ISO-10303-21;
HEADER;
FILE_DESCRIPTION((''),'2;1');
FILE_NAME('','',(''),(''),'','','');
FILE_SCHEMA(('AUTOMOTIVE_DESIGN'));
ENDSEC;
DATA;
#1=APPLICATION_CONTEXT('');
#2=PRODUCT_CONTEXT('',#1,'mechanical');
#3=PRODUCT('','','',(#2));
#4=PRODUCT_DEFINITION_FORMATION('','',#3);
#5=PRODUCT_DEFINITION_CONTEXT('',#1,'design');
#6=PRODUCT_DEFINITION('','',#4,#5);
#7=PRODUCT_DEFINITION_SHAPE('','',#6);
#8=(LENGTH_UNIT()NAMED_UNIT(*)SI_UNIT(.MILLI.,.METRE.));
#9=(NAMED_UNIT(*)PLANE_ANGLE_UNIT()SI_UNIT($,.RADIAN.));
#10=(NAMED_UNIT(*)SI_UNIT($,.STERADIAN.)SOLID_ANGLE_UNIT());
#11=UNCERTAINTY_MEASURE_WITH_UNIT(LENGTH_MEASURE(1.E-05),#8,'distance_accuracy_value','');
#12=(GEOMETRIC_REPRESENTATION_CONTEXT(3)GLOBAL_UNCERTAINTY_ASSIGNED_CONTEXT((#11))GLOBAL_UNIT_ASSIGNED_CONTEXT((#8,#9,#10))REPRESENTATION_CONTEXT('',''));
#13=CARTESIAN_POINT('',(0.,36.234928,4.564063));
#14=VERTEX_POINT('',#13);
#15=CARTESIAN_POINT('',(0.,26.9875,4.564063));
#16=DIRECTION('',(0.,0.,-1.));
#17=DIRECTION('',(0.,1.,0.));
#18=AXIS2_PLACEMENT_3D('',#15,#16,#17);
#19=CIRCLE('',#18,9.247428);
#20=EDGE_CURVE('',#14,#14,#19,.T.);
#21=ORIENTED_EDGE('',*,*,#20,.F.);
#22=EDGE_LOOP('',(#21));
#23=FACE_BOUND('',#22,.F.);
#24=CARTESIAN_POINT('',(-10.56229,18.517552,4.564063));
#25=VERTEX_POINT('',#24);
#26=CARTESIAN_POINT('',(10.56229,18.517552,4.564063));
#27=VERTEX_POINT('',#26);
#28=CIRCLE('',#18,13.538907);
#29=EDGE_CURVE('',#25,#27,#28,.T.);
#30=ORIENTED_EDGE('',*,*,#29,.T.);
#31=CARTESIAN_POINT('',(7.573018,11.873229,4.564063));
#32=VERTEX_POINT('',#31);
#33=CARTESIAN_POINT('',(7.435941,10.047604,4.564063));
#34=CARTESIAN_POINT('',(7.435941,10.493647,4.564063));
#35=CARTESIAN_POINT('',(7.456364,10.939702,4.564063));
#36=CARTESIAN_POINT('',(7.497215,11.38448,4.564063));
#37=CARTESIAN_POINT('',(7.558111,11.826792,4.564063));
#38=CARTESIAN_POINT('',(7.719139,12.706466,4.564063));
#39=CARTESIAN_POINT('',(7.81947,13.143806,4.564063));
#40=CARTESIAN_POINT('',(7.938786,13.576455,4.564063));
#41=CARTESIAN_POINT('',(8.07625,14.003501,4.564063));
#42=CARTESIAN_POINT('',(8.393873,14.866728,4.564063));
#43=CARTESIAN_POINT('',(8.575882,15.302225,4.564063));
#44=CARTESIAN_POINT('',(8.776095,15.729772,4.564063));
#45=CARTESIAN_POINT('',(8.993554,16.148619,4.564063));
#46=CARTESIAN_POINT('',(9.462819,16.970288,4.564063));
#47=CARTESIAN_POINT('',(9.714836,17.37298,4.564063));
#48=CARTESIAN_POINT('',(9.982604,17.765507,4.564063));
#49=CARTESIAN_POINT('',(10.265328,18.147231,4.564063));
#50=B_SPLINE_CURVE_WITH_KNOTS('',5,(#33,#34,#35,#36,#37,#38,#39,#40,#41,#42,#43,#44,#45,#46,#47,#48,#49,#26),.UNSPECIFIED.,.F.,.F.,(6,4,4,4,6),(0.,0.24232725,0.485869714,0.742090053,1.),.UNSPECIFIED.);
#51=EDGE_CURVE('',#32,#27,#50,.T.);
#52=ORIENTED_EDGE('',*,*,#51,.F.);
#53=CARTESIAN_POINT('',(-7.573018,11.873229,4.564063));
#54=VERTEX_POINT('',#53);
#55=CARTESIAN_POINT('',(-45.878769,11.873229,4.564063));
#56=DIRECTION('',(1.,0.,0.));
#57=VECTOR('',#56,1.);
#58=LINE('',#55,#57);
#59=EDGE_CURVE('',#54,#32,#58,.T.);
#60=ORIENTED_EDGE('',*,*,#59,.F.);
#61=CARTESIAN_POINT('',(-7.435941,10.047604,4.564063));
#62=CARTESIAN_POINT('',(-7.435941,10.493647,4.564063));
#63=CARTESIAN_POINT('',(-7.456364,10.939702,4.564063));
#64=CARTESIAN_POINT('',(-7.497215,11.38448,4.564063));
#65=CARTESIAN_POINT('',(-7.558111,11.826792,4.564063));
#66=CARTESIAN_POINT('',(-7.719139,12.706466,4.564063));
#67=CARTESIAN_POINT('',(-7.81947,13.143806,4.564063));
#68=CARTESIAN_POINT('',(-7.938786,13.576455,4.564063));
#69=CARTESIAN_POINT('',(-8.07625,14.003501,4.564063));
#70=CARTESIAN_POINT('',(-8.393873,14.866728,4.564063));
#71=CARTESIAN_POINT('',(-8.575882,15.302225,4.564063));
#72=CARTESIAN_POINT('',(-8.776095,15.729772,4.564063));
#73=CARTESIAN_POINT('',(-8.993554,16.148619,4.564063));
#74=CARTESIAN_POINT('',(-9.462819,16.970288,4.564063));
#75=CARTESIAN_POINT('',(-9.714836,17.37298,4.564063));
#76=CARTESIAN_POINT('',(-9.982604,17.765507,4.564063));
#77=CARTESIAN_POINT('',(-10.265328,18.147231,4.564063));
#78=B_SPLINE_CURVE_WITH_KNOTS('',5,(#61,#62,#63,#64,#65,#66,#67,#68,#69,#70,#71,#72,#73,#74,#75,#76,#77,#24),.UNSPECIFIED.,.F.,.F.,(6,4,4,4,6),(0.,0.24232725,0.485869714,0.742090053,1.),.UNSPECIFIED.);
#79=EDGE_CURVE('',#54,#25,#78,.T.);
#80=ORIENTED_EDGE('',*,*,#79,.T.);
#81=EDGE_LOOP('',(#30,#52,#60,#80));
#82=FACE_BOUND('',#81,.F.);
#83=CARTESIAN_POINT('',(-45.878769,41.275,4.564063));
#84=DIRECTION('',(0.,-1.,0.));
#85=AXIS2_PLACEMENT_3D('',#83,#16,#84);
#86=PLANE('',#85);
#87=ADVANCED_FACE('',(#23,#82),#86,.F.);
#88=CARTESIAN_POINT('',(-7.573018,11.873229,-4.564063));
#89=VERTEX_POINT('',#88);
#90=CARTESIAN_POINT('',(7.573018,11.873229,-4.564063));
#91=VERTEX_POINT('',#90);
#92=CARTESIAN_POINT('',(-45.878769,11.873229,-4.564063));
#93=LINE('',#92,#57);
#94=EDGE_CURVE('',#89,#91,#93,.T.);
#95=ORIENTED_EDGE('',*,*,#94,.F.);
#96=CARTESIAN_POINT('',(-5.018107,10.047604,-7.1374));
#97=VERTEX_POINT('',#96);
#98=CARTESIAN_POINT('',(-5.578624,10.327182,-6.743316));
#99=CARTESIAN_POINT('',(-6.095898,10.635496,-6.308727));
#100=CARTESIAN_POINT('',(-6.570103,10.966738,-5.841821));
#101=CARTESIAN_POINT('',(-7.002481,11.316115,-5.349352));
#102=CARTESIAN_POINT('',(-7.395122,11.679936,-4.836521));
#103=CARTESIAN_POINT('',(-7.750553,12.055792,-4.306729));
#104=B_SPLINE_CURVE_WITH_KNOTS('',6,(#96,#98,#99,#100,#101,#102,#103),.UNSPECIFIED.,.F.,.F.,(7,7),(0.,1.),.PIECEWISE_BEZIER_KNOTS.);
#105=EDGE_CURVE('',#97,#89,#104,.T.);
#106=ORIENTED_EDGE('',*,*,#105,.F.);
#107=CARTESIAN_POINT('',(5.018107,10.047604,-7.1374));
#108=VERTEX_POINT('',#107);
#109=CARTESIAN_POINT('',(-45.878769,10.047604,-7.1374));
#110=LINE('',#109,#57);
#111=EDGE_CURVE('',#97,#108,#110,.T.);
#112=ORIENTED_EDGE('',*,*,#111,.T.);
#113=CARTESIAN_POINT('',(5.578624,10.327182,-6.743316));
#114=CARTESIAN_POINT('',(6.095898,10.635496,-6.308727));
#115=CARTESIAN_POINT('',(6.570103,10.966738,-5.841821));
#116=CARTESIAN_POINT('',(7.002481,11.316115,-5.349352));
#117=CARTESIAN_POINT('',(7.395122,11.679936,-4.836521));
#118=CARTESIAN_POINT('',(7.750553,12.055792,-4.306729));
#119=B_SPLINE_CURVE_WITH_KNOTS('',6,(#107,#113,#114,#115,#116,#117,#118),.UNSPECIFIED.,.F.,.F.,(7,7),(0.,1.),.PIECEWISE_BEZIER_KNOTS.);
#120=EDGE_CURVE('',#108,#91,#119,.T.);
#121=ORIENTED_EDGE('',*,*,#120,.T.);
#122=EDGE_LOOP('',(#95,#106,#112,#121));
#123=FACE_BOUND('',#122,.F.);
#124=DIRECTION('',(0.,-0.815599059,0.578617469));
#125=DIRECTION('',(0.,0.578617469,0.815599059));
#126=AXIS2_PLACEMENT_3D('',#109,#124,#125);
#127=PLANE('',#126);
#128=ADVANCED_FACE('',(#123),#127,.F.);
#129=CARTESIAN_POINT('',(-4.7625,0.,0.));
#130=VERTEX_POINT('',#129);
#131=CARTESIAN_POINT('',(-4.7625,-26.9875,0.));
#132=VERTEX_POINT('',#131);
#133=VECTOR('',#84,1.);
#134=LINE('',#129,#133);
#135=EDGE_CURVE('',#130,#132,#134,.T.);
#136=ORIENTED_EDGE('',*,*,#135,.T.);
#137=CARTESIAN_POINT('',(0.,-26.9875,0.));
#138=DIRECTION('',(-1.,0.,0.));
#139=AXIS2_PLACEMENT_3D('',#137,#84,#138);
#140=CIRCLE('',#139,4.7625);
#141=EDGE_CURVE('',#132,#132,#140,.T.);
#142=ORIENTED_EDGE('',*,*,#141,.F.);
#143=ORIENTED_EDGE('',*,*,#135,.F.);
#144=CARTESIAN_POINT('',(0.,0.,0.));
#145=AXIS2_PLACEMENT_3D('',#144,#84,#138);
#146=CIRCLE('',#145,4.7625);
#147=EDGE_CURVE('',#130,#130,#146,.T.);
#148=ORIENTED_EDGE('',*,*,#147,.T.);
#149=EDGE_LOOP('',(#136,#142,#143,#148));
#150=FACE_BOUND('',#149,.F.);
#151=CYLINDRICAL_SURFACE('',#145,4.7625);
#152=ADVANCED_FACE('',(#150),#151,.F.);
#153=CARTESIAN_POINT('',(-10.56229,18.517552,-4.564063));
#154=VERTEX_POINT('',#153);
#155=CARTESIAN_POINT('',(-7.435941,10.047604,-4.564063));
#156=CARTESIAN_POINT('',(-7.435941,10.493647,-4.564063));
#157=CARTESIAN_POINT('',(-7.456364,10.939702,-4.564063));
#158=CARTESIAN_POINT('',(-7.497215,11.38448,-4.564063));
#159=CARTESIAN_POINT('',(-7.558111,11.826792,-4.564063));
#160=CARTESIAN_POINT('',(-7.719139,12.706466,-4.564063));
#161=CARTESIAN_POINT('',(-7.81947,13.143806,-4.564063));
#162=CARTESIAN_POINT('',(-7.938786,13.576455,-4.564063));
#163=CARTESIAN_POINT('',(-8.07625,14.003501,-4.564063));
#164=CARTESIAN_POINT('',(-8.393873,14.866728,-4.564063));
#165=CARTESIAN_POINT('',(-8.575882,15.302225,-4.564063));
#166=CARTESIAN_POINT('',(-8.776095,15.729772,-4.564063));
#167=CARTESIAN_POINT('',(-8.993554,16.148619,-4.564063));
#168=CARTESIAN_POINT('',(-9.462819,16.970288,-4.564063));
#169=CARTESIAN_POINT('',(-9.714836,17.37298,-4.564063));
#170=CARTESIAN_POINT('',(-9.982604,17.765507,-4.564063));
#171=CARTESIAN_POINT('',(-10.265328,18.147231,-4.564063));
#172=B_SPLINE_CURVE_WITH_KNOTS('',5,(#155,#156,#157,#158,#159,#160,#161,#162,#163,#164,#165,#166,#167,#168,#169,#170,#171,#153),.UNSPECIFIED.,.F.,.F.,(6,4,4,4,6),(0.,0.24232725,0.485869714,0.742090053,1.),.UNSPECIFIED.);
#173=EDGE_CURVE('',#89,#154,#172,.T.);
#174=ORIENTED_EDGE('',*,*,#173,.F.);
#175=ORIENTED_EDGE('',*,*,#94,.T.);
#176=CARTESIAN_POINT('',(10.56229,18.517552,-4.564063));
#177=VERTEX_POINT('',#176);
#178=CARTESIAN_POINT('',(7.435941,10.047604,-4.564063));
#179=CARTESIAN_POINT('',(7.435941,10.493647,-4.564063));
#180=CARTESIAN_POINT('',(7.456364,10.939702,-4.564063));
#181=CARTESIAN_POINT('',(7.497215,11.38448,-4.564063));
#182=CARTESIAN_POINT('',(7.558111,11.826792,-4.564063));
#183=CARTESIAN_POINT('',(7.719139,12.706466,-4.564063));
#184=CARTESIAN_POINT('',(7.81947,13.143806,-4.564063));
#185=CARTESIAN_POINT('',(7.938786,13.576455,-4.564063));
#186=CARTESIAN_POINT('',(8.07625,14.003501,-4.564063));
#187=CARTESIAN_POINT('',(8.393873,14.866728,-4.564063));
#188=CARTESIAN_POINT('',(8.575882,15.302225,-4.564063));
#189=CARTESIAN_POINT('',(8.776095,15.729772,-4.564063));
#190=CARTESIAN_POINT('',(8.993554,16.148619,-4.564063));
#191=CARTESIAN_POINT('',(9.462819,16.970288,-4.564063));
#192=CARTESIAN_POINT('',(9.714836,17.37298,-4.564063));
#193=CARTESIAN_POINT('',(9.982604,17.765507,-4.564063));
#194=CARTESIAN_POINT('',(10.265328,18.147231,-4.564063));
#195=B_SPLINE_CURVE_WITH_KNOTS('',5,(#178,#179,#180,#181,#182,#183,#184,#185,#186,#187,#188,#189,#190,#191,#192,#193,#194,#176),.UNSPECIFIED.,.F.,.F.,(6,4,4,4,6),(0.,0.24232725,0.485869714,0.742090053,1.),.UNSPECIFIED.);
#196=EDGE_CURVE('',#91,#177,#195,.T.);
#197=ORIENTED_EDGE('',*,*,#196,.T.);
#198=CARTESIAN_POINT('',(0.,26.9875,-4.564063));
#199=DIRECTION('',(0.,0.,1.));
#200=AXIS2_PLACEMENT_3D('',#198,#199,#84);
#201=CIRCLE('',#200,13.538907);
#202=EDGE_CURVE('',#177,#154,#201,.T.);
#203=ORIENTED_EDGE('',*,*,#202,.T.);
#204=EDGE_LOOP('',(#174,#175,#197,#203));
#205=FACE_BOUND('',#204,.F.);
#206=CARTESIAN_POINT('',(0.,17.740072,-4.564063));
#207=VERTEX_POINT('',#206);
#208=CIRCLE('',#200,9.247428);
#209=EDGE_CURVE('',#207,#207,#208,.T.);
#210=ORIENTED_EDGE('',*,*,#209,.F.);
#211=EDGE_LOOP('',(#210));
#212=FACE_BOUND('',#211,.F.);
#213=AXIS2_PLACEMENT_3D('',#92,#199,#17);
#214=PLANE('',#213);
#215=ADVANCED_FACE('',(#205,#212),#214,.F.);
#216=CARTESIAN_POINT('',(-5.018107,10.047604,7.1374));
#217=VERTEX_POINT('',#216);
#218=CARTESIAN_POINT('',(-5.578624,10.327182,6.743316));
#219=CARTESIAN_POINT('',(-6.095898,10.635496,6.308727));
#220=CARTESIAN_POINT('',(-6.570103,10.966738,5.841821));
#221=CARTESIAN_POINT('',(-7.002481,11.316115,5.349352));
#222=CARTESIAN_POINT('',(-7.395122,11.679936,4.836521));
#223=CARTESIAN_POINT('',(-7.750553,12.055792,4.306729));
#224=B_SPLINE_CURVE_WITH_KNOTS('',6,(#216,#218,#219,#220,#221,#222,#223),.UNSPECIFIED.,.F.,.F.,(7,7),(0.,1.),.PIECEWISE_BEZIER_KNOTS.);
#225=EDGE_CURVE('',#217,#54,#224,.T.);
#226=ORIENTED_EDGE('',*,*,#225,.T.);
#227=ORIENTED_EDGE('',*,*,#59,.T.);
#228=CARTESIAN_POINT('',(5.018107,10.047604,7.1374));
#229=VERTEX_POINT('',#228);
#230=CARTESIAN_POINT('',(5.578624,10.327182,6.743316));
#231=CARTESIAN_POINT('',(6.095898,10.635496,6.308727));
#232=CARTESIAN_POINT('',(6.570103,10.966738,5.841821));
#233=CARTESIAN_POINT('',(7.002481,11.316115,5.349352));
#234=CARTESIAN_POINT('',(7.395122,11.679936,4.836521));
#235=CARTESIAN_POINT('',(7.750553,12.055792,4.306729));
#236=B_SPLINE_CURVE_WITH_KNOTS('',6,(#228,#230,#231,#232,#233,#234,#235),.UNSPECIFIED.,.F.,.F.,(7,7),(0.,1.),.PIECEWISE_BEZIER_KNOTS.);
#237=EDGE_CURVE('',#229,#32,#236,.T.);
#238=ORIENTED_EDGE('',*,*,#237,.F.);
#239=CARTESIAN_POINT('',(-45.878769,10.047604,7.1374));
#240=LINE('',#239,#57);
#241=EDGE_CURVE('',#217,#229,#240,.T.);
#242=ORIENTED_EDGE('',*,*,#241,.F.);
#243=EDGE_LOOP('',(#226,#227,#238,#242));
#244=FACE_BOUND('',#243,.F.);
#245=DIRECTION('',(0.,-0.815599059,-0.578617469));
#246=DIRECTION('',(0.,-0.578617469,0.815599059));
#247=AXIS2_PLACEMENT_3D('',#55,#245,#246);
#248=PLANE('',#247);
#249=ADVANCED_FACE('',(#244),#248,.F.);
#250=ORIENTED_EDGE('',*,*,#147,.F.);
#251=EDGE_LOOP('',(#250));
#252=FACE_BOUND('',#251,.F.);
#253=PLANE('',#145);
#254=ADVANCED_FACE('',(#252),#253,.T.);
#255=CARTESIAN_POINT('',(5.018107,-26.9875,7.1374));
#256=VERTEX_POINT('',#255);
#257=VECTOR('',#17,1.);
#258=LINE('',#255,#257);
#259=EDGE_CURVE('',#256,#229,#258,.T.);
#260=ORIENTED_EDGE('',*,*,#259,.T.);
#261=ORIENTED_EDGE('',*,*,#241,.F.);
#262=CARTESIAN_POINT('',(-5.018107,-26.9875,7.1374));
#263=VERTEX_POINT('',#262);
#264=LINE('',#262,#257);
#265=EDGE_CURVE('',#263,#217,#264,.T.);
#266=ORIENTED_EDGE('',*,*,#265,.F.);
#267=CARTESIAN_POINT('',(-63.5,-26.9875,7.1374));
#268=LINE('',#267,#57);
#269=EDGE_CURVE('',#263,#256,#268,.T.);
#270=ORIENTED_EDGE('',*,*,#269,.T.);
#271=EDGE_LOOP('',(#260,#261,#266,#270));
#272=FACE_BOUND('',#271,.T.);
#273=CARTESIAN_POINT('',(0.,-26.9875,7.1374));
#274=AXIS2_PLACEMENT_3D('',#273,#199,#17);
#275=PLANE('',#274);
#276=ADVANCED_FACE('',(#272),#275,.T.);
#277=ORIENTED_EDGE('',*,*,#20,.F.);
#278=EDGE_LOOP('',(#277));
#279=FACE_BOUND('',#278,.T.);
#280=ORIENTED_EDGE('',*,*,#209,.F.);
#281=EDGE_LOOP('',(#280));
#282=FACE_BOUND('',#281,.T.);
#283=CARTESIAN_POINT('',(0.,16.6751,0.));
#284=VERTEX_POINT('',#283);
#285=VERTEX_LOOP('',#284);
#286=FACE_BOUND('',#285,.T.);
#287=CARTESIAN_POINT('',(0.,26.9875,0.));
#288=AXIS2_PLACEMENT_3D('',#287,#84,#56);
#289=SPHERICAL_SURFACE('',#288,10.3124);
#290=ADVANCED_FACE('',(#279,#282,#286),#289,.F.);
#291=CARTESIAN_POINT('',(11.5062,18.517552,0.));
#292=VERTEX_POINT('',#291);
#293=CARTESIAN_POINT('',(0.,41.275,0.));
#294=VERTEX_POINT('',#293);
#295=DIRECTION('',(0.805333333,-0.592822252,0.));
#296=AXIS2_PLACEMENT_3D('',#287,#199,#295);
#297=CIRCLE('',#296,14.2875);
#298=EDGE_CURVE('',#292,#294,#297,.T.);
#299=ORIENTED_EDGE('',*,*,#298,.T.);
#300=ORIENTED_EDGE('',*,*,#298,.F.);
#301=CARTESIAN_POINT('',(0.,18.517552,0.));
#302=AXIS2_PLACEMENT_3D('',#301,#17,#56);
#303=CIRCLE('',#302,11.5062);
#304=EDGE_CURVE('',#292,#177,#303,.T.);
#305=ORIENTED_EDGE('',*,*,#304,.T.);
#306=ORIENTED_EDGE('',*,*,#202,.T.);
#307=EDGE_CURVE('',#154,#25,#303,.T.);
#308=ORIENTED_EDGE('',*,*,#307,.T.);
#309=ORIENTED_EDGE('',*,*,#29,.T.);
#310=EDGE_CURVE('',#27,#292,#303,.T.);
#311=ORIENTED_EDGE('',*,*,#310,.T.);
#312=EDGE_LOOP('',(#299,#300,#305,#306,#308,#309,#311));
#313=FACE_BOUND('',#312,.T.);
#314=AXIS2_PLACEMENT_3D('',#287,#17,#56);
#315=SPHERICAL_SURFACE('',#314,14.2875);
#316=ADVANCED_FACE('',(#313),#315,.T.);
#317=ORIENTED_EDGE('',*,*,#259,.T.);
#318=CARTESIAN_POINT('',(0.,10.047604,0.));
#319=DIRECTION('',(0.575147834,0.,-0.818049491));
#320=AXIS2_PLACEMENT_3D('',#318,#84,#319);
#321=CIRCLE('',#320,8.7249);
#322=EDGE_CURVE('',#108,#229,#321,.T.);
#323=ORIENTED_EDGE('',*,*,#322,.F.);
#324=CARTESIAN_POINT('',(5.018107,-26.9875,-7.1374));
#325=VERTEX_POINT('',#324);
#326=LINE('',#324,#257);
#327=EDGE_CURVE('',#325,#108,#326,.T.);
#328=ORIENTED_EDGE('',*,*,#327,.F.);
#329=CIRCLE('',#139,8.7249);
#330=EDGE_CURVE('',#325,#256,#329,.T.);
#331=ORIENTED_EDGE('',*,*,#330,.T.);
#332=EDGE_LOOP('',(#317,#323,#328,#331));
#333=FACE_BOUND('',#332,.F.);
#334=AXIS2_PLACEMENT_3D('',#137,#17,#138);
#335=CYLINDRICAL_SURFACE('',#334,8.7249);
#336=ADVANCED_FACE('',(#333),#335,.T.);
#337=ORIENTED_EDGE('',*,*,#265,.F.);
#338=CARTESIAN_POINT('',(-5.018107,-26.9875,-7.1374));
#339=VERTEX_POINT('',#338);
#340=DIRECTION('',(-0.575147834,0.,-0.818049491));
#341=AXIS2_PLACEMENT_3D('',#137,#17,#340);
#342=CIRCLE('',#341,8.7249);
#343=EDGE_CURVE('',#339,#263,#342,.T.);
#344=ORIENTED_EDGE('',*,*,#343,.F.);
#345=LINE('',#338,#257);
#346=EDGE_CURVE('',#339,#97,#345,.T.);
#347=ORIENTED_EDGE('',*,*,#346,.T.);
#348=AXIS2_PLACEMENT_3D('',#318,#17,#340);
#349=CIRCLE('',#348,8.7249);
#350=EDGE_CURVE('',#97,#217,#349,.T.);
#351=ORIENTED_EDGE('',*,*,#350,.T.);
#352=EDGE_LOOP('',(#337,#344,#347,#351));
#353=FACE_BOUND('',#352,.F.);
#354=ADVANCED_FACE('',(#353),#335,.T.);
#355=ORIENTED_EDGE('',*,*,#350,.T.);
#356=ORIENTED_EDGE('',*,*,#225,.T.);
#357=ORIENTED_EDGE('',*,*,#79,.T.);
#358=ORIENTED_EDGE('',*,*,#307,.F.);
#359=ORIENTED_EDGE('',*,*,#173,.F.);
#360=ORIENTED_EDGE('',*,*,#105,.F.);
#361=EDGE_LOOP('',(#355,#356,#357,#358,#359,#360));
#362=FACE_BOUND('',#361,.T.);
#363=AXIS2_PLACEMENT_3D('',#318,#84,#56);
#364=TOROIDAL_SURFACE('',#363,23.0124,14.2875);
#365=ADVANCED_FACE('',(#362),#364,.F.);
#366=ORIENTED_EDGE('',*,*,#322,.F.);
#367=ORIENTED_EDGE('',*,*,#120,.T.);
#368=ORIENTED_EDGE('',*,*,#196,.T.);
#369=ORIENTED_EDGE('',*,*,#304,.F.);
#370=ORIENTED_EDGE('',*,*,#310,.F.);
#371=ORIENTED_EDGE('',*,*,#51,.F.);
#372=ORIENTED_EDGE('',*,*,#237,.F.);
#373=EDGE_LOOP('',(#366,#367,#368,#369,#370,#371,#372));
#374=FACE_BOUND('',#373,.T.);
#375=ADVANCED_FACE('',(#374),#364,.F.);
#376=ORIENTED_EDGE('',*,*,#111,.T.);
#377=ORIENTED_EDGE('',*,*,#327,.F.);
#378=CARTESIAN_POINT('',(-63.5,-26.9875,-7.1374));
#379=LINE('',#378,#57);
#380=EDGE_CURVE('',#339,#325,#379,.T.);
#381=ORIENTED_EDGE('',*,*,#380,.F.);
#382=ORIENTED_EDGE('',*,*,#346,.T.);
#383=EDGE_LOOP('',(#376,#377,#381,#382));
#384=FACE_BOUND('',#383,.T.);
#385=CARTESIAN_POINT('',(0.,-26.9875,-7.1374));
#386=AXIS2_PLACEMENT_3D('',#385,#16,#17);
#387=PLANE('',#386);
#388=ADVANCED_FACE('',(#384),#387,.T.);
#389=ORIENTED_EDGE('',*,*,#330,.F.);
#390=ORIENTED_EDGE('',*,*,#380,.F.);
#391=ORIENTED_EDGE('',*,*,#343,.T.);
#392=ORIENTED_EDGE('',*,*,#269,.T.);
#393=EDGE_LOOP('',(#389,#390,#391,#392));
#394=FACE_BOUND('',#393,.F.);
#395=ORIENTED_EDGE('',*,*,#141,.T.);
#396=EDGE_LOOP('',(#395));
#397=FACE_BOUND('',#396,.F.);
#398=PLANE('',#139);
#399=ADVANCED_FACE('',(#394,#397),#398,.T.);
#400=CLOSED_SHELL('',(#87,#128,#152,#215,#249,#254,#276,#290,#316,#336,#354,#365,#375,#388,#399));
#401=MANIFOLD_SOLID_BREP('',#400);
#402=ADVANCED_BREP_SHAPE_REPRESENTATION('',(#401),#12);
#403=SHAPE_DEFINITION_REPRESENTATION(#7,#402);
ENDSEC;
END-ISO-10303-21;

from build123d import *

# Parameters (mm, degrees)
SKETCH17_W              = 7.1501
SKETCH17_H              = 68.2625
EXTRUDE3_DEPTH          = 63.5
CUT_EXTRUDE1_DEPTH      = 45.878768644
CUT_EXTRUDE1_DEPTH_BACK = 45.878768644


with BuildPart() as part:
    # Sketch15 → Revolve4 (revolve)
    with BuildSketch(Plane.XY, mode=Mode.PRIVATE) as revolve4_sk:
        Polygon((4.7625, -26.9875), (8.7249, -26.9875), (8.7249, 10.047604155), (0, 10.047604155), (0, 0), (4.7625, 0), align=None)
    revolve(revolve4_sk.sketch.rotate(Axis((0, 41.275, 0), (0, -1, 0)), 180), axis=Axis((0, 41.275, 0), (0, -1, 0)))

    # Sketch4 → Revolve2 (revolve)
    with BuildSketch(Plane.XY):
        with BuildLine():
            Line((0, 16.6751), (0, 10.047604155))
            Line((0, 10.047604155), (8.7249, 10.047604155))
            ThreePointArc((8.7249, 10.047604155), (9.438021768, 14.505059918), (11.5062, 18.517552077))
            ThreePointArc((11.5062, 18.517552077), (12.750432094, 33.434137701), (0, 41.275))
            Line((0, 41.275), (0, 37.2999))
            ThreePointArc((0, 37.2999), (10.3124, 26.9875), (0, 16.6751))
        make_face()
    revolve(axis=Axis((0, 41.275, 0), (0, 1, 0)))

    # Sketch17 → Extrude3 (cut, symmetric)
    with BuildSketch(Plane(origin=(0, 0, 0), x_dir=(0, 0, -1), z_dir=(1, 0, 0))):
        with Locations((-10.71245, 7.14375)):
            Rectangle(SKETCH17_W, SKETCH17_H)
        with Locations((10.71245, 7.14375)):
            Rectangle(SKETCH17_W, SKETCH17_H)
    extrude(amount=EXTRUDE3_DEPTH, both=True, mode=Mode.SUBTRACT)

    # Sketch5 → Cut-Extrude1 (cut, two sides: drawn at the far end of the back side and taken through both)
    with BuildSketch(Plane(origin=(0, 0, 0), x_dir=(0, 0, -1), z_dir=(1, 0, 0)).offset(-CUT_EXTRUDE1_DEPTH_BACK)):
        Polygon((4.5640625, 41.275), (12.2174, 41.275), (12.2174, 10.047604155), (7.1374, 10.047604155), (4.5640625, 11.873229155), align=None)
        Polygon((-4.5640625, 41.275), (-4.5640625, 11.873229155), (-7.1374, 10.047604155), (-12.2174, 10.047604155), (-12.2174, 41.275), align=None)
    extrude(amount=CUT_EXTRUDE1_DEPTH + CUT_EXTRUDE1_DEPTH_BACK, mode=Mode.SUBTRACT)


solid = part.part
